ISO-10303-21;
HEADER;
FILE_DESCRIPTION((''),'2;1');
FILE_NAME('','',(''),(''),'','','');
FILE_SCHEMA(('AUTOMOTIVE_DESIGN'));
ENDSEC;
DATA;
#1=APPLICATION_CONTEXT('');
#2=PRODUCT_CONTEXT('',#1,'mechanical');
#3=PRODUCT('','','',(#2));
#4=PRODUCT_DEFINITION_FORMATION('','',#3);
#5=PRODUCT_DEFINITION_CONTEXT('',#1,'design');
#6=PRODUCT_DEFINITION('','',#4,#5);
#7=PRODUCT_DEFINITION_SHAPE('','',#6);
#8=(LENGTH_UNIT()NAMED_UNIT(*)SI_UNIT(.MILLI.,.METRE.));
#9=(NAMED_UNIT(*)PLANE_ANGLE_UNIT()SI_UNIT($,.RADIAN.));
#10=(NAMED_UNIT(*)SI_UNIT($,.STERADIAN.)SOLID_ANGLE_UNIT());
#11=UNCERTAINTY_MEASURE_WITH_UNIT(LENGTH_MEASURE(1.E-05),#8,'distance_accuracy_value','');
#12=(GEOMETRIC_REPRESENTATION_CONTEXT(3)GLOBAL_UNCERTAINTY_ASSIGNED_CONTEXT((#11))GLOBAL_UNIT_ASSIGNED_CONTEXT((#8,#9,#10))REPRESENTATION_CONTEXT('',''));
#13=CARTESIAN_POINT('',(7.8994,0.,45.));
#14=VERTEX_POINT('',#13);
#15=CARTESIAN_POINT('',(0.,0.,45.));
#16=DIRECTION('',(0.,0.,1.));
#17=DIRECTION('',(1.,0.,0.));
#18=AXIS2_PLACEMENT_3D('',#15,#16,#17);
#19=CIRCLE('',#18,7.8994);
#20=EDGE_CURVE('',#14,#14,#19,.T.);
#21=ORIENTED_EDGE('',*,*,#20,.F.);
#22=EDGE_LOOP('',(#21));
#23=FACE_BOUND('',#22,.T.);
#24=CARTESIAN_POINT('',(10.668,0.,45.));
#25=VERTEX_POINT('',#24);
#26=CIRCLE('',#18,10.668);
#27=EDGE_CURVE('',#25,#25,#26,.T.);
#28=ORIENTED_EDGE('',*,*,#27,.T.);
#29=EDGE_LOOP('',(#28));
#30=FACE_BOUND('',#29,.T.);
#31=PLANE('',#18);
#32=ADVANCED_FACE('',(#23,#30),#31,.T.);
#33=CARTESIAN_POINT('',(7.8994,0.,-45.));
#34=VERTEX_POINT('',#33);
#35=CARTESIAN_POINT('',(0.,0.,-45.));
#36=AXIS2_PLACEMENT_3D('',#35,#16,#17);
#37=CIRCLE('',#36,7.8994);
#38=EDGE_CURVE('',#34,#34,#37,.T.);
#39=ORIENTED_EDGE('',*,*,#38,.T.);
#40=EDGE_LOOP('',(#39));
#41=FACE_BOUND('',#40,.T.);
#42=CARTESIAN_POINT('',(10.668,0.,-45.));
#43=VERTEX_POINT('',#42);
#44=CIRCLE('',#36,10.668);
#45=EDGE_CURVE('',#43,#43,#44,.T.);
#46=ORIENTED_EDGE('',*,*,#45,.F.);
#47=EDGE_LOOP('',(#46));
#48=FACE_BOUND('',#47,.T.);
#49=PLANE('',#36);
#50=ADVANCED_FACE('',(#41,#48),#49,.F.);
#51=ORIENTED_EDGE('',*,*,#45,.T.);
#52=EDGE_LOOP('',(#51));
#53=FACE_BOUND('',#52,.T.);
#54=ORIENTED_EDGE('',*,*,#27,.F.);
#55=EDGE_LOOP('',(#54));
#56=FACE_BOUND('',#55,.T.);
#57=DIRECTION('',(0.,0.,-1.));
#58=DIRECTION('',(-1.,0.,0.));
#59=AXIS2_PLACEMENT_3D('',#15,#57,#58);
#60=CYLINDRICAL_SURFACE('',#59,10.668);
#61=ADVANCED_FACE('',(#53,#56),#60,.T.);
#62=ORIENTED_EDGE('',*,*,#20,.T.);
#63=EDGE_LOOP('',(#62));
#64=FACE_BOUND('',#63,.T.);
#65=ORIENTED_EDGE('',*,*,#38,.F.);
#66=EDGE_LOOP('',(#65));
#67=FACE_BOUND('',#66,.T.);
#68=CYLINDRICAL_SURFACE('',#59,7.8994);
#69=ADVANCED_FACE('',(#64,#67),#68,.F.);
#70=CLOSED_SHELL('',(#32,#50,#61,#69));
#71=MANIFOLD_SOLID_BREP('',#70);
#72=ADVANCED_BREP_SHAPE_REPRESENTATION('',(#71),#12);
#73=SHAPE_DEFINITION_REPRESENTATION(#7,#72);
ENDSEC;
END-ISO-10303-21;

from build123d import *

# Parameters (mm, degrees)
SKETCH1_R           = 10.668
SKETCH1_R_2         = 7.8994
EXTRUDE_THIN1_DEPTH = 45


with BuildPart() as part:
    # Sketch1 → Extrude-Thin1 (new body, symmetric)
    with BuildSketch(Plane.XY):
        Circle(SKETCH1_R)
        Circle(SKETCH1_R_2, mode=Mode.SUBTRACT)
    extrude(amount=EXTRUDE_THIN1_DEPTH, both=True)


solid = part.part
